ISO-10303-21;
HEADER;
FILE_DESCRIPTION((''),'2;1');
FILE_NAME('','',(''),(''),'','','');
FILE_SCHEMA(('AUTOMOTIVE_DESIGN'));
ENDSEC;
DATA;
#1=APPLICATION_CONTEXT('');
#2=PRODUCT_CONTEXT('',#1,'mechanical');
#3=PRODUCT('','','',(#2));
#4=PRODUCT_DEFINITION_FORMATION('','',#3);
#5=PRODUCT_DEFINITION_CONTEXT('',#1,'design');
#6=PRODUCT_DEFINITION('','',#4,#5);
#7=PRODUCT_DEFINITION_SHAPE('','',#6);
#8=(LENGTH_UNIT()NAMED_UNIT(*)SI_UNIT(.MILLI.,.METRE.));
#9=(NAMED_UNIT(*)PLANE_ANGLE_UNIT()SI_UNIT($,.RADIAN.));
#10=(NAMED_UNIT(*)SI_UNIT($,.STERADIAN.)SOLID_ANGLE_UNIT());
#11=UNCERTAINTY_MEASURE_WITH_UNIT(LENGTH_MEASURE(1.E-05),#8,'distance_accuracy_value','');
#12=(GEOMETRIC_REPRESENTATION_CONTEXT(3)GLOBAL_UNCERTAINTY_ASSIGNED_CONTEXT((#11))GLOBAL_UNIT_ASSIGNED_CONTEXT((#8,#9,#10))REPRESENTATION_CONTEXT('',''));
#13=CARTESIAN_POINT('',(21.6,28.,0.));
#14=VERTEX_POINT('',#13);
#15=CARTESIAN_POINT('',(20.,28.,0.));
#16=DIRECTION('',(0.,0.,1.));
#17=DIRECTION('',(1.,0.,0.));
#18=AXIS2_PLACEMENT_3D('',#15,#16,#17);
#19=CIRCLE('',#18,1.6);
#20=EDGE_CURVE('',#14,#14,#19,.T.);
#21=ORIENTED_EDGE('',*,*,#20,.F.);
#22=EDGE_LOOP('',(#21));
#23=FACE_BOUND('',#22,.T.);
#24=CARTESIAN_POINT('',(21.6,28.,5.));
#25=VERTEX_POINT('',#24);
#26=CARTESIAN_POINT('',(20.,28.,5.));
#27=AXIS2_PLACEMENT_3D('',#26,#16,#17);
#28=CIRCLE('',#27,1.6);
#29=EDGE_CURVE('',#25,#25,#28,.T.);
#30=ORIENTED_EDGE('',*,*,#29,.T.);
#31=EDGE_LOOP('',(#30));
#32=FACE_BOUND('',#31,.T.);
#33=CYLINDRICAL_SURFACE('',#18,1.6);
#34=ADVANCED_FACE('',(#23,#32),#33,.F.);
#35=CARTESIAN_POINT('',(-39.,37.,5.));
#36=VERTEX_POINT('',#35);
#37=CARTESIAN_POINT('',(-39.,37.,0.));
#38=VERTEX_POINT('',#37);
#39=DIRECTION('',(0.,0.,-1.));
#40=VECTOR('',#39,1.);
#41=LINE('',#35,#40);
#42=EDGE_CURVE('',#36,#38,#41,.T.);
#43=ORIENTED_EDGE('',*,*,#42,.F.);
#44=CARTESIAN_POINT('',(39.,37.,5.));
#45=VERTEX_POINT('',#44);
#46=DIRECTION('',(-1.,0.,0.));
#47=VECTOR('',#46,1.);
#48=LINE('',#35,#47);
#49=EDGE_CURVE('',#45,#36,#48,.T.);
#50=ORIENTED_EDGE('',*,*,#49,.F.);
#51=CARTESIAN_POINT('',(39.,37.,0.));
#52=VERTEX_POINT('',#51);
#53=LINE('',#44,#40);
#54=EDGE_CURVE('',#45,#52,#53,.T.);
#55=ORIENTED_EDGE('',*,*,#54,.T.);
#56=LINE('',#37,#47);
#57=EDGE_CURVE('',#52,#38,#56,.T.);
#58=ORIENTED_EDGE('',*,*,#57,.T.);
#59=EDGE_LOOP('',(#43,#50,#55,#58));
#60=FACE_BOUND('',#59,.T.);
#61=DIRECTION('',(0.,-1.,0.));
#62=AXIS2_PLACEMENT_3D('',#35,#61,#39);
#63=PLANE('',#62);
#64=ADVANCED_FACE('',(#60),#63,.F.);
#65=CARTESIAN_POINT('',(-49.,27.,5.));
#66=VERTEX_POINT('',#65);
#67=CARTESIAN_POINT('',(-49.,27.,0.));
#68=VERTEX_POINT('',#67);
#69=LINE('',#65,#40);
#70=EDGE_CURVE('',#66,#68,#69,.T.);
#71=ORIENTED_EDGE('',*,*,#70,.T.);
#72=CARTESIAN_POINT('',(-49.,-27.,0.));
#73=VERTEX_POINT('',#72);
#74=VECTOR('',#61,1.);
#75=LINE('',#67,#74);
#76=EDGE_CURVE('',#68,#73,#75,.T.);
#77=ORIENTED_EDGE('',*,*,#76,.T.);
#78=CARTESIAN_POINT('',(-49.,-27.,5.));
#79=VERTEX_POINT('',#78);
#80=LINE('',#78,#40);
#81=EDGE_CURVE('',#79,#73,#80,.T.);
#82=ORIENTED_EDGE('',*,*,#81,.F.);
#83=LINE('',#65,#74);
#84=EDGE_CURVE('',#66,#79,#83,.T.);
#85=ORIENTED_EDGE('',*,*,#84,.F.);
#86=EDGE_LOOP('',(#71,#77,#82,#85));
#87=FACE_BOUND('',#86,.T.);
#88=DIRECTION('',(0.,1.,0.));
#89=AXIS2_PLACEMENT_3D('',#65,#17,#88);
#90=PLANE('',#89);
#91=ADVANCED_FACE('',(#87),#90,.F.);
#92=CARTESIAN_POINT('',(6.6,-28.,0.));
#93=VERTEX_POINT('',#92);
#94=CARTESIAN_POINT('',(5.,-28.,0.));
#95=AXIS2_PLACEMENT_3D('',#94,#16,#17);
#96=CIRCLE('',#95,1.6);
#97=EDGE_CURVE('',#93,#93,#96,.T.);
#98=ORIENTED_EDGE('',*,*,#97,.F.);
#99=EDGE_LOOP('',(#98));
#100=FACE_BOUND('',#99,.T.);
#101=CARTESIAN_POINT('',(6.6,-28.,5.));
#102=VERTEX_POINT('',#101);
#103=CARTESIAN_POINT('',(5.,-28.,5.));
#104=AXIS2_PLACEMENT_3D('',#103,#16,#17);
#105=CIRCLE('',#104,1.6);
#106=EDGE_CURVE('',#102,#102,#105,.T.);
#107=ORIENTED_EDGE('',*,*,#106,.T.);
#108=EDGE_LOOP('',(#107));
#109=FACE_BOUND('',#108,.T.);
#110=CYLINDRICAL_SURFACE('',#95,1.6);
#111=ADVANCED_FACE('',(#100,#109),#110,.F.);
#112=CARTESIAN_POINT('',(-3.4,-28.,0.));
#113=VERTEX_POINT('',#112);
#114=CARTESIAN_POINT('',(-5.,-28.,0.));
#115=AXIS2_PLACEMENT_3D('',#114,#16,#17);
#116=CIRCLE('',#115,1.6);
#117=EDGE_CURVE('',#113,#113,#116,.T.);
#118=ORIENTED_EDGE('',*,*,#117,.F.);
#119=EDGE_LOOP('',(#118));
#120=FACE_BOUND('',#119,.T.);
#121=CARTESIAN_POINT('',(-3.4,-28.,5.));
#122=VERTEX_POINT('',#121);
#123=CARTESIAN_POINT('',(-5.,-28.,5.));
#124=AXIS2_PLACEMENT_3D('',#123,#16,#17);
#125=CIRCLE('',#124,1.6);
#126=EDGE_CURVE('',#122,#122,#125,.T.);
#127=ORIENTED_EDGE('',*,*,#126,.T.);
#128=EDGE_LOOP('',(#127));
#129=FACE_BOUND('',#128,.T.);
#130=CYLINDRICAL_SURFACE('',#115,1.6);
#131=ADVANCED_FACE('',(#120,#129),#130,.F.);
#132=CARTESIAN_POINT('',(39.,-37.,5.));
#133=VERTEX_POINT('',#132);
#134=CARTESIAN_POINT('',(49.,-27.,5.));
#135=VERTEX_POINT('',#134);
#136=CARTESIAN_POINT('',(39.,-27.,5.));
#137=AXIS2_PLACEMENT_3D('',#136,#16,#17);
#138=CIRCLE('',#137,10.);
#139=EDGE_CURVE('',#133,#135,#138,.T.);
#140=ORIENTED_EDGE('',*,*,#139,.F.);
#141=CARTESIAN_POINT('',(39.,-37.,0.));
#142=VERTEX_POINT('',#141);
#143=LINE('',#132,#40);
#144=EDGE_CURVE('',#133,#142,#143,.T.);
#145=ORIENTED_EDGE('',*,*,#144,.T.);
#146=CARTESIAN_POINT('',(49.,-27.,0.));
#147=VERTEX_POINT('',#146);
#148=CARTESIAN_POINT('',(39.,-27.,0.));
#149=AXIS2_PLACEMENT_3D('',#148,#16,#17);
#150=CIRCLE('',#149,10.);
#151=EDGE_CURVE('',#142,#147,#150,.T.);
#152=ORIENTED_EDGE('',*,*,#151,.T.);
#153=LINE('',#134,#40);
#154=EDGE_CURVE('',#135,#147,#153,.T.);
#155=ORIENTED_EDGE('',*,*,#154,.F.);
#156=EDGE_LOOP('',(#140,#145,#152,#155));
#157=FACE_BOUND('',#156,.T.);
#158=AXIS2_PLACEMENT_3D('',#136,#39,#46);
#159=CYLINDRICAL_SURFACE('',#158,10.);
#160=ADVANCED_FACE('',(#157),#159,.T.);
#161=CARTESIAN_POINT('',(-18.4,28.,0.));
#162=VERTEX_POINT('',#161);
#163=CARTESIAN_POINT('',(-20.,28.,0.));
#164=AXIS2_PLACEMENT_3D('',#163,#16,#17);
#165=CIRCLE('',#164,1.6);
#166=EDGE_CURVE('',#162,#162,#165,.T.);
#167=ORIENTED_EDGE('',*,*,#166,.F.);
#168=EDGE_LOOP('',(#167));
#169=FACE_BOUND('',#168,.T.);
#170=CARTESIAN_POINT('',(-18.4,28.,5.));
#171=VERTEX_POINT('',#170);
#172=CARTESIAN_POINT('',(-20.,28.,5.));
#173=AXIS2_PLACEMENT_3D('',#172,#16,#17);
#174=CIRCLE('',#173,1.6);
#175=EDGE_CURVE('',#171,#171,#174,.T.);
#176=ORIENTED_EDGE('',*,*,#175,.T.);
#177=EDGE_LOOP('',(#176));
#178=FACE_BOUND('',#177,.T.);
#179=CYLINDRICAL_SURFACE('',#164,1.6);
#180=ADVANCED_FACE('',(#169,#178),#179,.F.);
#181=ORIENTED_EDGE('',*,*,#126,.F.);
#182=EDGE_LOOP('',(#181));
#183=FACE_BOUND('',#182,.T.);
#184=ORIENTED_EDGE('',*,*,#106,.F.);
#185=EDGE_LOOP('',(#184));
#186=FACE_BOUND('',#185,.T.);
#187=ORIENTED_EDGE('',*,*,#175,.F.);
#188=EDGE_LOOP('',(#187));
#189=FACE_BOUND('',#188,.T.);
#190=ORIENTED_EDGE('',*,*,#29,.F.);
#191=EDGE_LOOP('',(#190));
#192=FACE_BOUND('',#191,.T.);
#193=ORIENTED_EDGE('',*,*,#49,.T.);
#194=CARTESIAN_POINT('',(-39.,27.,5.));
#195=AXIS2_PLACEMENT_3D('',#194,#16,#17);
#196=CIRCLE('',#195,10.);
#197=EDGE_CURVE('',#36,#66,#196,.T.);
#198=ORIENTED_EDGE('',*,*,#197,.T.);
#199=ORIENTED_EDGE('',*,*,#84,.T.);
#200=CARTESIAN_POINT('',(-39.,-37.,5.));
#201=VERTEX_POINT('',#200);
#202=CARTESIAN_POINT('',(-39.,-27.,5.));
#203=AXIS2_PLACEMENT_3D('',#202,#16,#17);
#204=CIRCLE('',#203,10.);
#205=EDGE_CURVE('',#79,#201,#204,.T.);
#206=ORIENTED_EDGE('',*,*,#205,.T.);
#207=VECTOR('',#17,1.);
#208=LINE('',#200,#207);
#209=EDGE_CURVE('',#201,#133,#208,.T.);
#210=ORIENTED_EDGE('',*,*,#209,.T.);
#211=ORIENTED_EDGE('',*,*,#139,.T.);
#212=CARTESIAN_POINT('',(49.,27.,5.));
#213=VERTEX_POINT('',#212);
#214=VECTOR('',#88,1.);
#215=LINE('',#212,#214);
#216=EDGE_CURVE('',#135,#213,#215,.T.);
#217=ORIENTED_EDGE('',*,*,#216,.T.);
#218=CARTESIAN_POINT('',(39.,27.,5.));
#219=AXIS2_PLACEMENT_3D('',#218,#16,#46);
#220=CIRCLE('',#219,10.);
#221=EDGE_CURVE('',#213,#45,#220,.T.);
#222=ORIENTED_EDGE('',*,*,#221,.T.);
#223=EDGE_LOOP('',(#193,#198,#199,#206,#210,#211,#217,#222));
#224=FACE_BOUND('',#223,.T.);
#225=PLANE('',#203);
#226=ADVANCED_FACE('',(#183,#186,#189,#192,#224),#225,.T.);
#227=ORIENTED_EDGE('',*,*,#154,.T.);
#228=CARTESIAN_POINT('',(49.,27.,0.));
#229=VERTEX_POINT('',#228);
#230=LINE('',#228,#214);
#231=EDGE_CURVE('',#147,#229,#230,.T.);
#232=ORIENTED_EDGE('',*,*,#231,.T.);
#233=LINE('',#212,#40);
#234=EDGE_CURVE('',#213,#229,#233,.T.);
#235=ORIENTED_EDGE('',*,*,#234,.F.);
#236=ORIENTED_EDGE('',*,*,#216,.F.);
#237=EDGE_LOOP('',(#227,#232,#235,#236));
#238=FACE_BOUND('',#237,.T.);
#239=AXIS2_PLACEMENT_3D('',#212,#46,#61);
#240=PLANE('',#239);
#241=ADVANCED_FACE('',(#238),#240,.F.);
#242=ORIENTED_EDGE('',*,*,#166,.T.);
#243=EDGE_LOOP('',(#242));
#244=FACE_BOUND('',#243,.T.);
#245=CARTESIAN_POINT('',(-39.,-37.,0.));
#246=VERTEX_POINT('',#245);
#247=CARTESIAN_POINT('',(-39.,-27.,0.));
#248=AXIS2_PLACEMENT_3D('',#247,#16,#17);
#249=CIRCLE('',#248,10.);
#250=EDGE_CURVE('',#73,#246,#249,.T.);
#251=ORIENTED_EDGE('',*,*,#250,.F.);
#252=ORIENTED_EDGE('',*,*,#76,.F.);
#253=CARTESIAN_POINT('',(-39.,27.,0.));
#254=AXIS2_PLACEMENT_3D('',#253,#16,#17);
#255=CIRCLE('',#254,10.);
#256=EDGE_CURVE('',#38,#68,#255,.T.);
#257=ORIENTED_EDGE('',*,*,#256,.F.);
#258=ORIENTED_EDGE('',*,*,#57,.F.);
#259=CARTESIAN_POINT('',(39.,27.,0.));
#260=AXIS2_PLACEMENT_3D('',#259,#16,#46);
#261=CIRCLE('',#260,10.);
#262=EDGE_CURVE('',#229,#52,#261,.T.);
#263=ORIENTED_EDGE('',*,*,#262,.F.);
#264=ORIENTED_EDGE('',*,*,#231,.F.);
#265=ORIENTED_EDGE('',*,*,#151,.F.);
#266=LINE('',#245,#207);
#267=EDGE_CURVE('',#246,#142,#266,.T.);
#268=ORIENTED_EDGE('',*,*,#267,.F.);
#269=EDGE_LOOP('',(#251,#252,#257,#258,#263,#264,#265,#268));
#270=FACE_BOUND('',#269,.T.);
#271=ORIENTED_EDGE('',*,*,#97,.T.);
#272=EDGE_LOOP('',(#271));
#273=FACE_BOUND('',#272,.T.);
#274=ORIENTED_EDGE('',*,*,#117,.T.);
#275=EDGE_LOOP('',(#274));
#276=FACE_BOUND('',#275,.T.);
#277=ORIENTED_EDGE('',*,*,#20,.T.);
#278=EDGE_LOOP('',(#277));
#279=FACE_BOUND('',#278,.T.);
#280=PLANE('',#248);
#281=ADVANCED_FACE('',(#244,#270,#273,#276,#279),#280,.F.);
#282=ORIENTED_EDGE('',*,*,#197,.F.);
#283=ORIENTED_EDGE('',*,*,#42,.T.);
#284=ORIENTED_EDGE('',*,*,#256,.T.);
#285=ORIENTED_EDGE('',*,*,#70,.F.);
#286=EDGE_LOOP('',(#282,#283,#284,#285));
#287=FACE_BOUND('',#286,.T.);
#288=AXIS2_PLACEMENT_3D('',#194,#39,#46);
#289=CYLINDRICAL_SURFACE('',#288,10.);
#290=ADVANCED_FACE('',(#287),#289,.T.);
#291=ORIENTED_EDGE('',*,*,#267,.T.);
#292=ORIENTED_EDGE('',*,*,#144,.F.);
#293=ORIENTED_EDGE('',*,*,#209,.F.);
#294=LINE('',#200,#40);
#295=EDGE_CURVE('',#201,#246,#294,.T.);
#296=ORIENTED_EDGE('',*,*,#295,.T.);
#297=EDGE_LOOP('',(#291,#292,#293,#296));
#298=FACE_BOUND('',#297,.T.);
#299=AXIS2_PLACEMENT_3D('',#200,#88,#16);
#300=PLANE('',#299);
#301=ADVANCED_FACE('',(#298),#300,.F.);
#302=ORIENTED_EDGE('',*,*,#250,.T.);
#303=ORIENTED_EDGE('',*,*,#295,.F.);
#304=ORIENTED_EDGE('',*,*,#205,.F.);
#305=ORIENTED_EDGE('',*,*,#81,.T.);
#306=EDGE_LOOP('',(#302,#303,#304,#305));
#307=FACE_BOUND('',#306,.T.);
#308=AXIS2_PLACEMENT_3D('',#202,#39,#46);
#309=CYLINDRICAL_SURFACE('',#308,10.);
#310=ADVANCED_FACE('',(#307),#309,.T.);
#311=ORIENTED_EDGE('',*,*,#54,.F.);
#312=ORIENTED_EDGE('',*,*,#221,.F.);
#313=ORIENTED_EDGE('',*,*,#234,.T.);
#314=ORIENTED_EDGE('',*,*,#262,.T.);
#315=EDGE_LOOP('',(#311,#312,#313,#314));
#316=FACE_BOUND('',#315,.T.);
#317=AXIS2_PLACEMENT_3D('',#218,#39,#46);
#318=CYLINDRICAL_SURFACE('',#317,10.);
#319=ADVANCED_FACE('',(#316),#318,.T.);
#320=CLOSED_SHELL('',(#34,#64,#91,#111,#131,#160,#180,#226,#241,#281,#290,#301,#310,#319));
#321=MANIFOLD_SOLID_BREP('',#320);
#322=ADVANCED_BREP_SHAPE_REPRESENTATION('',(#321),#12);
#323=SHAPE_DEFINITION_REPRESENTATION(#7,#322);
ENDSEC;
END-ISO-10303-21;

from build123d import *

# Parameters (mm, degrees)
EXTRUDE_1_DEPTH     = 5
SKETCH_3_R          = 1.6
CUT_EXTRUDE_1_DEPTH = 5


with BuildPart() as part:
    # Эскиз2 → Бобышка-Вытянуть1 (new body)
    with BuildSketch(Plane.XY):
        with BuildLine():
            Line((-39, 37), (39, 37))
            ThreePointArc((39, 37), (46.071067812, 34.071067812), (49, 27))
            Line((49, 27), (49, -27))
            ThreePointArc((49, -27), (46.071067812, -34.071067812), (39, -37))
            Line((39, -37), (-39, -37))
            ThreePointArc((-39, -37), (-46.071067812, -34.071067812), (-49, -27))
            Line((-49, -27), (-49, 27))
            ThreePointArc((-49, 27), (-46.071067812, 34.071067812), (-39, 37))
        make_face()
    extrude(amount=EXTRUDE_1_DEPTH)

    # Эскиз3 → Вырез-Вытянуть1 (cut)
    with BuildSketch(Plane.XY.offset(5)):
        with Locations((5, -28)):
            Circle(SKETCH_3_R)
        with Locations((-5, -28)):
            Circle(SKETCH_3_R)
        with Locations((-20, 28)):
            Circle(SKETCH_3_R)
        with Locations((20, 28)):
            Circle(SKETCH_3_R)
    extrude(amount=-CUT_EXTRUDE_1_DEPTH, mode=Mode.SUBTRACT)


solid = part.part
